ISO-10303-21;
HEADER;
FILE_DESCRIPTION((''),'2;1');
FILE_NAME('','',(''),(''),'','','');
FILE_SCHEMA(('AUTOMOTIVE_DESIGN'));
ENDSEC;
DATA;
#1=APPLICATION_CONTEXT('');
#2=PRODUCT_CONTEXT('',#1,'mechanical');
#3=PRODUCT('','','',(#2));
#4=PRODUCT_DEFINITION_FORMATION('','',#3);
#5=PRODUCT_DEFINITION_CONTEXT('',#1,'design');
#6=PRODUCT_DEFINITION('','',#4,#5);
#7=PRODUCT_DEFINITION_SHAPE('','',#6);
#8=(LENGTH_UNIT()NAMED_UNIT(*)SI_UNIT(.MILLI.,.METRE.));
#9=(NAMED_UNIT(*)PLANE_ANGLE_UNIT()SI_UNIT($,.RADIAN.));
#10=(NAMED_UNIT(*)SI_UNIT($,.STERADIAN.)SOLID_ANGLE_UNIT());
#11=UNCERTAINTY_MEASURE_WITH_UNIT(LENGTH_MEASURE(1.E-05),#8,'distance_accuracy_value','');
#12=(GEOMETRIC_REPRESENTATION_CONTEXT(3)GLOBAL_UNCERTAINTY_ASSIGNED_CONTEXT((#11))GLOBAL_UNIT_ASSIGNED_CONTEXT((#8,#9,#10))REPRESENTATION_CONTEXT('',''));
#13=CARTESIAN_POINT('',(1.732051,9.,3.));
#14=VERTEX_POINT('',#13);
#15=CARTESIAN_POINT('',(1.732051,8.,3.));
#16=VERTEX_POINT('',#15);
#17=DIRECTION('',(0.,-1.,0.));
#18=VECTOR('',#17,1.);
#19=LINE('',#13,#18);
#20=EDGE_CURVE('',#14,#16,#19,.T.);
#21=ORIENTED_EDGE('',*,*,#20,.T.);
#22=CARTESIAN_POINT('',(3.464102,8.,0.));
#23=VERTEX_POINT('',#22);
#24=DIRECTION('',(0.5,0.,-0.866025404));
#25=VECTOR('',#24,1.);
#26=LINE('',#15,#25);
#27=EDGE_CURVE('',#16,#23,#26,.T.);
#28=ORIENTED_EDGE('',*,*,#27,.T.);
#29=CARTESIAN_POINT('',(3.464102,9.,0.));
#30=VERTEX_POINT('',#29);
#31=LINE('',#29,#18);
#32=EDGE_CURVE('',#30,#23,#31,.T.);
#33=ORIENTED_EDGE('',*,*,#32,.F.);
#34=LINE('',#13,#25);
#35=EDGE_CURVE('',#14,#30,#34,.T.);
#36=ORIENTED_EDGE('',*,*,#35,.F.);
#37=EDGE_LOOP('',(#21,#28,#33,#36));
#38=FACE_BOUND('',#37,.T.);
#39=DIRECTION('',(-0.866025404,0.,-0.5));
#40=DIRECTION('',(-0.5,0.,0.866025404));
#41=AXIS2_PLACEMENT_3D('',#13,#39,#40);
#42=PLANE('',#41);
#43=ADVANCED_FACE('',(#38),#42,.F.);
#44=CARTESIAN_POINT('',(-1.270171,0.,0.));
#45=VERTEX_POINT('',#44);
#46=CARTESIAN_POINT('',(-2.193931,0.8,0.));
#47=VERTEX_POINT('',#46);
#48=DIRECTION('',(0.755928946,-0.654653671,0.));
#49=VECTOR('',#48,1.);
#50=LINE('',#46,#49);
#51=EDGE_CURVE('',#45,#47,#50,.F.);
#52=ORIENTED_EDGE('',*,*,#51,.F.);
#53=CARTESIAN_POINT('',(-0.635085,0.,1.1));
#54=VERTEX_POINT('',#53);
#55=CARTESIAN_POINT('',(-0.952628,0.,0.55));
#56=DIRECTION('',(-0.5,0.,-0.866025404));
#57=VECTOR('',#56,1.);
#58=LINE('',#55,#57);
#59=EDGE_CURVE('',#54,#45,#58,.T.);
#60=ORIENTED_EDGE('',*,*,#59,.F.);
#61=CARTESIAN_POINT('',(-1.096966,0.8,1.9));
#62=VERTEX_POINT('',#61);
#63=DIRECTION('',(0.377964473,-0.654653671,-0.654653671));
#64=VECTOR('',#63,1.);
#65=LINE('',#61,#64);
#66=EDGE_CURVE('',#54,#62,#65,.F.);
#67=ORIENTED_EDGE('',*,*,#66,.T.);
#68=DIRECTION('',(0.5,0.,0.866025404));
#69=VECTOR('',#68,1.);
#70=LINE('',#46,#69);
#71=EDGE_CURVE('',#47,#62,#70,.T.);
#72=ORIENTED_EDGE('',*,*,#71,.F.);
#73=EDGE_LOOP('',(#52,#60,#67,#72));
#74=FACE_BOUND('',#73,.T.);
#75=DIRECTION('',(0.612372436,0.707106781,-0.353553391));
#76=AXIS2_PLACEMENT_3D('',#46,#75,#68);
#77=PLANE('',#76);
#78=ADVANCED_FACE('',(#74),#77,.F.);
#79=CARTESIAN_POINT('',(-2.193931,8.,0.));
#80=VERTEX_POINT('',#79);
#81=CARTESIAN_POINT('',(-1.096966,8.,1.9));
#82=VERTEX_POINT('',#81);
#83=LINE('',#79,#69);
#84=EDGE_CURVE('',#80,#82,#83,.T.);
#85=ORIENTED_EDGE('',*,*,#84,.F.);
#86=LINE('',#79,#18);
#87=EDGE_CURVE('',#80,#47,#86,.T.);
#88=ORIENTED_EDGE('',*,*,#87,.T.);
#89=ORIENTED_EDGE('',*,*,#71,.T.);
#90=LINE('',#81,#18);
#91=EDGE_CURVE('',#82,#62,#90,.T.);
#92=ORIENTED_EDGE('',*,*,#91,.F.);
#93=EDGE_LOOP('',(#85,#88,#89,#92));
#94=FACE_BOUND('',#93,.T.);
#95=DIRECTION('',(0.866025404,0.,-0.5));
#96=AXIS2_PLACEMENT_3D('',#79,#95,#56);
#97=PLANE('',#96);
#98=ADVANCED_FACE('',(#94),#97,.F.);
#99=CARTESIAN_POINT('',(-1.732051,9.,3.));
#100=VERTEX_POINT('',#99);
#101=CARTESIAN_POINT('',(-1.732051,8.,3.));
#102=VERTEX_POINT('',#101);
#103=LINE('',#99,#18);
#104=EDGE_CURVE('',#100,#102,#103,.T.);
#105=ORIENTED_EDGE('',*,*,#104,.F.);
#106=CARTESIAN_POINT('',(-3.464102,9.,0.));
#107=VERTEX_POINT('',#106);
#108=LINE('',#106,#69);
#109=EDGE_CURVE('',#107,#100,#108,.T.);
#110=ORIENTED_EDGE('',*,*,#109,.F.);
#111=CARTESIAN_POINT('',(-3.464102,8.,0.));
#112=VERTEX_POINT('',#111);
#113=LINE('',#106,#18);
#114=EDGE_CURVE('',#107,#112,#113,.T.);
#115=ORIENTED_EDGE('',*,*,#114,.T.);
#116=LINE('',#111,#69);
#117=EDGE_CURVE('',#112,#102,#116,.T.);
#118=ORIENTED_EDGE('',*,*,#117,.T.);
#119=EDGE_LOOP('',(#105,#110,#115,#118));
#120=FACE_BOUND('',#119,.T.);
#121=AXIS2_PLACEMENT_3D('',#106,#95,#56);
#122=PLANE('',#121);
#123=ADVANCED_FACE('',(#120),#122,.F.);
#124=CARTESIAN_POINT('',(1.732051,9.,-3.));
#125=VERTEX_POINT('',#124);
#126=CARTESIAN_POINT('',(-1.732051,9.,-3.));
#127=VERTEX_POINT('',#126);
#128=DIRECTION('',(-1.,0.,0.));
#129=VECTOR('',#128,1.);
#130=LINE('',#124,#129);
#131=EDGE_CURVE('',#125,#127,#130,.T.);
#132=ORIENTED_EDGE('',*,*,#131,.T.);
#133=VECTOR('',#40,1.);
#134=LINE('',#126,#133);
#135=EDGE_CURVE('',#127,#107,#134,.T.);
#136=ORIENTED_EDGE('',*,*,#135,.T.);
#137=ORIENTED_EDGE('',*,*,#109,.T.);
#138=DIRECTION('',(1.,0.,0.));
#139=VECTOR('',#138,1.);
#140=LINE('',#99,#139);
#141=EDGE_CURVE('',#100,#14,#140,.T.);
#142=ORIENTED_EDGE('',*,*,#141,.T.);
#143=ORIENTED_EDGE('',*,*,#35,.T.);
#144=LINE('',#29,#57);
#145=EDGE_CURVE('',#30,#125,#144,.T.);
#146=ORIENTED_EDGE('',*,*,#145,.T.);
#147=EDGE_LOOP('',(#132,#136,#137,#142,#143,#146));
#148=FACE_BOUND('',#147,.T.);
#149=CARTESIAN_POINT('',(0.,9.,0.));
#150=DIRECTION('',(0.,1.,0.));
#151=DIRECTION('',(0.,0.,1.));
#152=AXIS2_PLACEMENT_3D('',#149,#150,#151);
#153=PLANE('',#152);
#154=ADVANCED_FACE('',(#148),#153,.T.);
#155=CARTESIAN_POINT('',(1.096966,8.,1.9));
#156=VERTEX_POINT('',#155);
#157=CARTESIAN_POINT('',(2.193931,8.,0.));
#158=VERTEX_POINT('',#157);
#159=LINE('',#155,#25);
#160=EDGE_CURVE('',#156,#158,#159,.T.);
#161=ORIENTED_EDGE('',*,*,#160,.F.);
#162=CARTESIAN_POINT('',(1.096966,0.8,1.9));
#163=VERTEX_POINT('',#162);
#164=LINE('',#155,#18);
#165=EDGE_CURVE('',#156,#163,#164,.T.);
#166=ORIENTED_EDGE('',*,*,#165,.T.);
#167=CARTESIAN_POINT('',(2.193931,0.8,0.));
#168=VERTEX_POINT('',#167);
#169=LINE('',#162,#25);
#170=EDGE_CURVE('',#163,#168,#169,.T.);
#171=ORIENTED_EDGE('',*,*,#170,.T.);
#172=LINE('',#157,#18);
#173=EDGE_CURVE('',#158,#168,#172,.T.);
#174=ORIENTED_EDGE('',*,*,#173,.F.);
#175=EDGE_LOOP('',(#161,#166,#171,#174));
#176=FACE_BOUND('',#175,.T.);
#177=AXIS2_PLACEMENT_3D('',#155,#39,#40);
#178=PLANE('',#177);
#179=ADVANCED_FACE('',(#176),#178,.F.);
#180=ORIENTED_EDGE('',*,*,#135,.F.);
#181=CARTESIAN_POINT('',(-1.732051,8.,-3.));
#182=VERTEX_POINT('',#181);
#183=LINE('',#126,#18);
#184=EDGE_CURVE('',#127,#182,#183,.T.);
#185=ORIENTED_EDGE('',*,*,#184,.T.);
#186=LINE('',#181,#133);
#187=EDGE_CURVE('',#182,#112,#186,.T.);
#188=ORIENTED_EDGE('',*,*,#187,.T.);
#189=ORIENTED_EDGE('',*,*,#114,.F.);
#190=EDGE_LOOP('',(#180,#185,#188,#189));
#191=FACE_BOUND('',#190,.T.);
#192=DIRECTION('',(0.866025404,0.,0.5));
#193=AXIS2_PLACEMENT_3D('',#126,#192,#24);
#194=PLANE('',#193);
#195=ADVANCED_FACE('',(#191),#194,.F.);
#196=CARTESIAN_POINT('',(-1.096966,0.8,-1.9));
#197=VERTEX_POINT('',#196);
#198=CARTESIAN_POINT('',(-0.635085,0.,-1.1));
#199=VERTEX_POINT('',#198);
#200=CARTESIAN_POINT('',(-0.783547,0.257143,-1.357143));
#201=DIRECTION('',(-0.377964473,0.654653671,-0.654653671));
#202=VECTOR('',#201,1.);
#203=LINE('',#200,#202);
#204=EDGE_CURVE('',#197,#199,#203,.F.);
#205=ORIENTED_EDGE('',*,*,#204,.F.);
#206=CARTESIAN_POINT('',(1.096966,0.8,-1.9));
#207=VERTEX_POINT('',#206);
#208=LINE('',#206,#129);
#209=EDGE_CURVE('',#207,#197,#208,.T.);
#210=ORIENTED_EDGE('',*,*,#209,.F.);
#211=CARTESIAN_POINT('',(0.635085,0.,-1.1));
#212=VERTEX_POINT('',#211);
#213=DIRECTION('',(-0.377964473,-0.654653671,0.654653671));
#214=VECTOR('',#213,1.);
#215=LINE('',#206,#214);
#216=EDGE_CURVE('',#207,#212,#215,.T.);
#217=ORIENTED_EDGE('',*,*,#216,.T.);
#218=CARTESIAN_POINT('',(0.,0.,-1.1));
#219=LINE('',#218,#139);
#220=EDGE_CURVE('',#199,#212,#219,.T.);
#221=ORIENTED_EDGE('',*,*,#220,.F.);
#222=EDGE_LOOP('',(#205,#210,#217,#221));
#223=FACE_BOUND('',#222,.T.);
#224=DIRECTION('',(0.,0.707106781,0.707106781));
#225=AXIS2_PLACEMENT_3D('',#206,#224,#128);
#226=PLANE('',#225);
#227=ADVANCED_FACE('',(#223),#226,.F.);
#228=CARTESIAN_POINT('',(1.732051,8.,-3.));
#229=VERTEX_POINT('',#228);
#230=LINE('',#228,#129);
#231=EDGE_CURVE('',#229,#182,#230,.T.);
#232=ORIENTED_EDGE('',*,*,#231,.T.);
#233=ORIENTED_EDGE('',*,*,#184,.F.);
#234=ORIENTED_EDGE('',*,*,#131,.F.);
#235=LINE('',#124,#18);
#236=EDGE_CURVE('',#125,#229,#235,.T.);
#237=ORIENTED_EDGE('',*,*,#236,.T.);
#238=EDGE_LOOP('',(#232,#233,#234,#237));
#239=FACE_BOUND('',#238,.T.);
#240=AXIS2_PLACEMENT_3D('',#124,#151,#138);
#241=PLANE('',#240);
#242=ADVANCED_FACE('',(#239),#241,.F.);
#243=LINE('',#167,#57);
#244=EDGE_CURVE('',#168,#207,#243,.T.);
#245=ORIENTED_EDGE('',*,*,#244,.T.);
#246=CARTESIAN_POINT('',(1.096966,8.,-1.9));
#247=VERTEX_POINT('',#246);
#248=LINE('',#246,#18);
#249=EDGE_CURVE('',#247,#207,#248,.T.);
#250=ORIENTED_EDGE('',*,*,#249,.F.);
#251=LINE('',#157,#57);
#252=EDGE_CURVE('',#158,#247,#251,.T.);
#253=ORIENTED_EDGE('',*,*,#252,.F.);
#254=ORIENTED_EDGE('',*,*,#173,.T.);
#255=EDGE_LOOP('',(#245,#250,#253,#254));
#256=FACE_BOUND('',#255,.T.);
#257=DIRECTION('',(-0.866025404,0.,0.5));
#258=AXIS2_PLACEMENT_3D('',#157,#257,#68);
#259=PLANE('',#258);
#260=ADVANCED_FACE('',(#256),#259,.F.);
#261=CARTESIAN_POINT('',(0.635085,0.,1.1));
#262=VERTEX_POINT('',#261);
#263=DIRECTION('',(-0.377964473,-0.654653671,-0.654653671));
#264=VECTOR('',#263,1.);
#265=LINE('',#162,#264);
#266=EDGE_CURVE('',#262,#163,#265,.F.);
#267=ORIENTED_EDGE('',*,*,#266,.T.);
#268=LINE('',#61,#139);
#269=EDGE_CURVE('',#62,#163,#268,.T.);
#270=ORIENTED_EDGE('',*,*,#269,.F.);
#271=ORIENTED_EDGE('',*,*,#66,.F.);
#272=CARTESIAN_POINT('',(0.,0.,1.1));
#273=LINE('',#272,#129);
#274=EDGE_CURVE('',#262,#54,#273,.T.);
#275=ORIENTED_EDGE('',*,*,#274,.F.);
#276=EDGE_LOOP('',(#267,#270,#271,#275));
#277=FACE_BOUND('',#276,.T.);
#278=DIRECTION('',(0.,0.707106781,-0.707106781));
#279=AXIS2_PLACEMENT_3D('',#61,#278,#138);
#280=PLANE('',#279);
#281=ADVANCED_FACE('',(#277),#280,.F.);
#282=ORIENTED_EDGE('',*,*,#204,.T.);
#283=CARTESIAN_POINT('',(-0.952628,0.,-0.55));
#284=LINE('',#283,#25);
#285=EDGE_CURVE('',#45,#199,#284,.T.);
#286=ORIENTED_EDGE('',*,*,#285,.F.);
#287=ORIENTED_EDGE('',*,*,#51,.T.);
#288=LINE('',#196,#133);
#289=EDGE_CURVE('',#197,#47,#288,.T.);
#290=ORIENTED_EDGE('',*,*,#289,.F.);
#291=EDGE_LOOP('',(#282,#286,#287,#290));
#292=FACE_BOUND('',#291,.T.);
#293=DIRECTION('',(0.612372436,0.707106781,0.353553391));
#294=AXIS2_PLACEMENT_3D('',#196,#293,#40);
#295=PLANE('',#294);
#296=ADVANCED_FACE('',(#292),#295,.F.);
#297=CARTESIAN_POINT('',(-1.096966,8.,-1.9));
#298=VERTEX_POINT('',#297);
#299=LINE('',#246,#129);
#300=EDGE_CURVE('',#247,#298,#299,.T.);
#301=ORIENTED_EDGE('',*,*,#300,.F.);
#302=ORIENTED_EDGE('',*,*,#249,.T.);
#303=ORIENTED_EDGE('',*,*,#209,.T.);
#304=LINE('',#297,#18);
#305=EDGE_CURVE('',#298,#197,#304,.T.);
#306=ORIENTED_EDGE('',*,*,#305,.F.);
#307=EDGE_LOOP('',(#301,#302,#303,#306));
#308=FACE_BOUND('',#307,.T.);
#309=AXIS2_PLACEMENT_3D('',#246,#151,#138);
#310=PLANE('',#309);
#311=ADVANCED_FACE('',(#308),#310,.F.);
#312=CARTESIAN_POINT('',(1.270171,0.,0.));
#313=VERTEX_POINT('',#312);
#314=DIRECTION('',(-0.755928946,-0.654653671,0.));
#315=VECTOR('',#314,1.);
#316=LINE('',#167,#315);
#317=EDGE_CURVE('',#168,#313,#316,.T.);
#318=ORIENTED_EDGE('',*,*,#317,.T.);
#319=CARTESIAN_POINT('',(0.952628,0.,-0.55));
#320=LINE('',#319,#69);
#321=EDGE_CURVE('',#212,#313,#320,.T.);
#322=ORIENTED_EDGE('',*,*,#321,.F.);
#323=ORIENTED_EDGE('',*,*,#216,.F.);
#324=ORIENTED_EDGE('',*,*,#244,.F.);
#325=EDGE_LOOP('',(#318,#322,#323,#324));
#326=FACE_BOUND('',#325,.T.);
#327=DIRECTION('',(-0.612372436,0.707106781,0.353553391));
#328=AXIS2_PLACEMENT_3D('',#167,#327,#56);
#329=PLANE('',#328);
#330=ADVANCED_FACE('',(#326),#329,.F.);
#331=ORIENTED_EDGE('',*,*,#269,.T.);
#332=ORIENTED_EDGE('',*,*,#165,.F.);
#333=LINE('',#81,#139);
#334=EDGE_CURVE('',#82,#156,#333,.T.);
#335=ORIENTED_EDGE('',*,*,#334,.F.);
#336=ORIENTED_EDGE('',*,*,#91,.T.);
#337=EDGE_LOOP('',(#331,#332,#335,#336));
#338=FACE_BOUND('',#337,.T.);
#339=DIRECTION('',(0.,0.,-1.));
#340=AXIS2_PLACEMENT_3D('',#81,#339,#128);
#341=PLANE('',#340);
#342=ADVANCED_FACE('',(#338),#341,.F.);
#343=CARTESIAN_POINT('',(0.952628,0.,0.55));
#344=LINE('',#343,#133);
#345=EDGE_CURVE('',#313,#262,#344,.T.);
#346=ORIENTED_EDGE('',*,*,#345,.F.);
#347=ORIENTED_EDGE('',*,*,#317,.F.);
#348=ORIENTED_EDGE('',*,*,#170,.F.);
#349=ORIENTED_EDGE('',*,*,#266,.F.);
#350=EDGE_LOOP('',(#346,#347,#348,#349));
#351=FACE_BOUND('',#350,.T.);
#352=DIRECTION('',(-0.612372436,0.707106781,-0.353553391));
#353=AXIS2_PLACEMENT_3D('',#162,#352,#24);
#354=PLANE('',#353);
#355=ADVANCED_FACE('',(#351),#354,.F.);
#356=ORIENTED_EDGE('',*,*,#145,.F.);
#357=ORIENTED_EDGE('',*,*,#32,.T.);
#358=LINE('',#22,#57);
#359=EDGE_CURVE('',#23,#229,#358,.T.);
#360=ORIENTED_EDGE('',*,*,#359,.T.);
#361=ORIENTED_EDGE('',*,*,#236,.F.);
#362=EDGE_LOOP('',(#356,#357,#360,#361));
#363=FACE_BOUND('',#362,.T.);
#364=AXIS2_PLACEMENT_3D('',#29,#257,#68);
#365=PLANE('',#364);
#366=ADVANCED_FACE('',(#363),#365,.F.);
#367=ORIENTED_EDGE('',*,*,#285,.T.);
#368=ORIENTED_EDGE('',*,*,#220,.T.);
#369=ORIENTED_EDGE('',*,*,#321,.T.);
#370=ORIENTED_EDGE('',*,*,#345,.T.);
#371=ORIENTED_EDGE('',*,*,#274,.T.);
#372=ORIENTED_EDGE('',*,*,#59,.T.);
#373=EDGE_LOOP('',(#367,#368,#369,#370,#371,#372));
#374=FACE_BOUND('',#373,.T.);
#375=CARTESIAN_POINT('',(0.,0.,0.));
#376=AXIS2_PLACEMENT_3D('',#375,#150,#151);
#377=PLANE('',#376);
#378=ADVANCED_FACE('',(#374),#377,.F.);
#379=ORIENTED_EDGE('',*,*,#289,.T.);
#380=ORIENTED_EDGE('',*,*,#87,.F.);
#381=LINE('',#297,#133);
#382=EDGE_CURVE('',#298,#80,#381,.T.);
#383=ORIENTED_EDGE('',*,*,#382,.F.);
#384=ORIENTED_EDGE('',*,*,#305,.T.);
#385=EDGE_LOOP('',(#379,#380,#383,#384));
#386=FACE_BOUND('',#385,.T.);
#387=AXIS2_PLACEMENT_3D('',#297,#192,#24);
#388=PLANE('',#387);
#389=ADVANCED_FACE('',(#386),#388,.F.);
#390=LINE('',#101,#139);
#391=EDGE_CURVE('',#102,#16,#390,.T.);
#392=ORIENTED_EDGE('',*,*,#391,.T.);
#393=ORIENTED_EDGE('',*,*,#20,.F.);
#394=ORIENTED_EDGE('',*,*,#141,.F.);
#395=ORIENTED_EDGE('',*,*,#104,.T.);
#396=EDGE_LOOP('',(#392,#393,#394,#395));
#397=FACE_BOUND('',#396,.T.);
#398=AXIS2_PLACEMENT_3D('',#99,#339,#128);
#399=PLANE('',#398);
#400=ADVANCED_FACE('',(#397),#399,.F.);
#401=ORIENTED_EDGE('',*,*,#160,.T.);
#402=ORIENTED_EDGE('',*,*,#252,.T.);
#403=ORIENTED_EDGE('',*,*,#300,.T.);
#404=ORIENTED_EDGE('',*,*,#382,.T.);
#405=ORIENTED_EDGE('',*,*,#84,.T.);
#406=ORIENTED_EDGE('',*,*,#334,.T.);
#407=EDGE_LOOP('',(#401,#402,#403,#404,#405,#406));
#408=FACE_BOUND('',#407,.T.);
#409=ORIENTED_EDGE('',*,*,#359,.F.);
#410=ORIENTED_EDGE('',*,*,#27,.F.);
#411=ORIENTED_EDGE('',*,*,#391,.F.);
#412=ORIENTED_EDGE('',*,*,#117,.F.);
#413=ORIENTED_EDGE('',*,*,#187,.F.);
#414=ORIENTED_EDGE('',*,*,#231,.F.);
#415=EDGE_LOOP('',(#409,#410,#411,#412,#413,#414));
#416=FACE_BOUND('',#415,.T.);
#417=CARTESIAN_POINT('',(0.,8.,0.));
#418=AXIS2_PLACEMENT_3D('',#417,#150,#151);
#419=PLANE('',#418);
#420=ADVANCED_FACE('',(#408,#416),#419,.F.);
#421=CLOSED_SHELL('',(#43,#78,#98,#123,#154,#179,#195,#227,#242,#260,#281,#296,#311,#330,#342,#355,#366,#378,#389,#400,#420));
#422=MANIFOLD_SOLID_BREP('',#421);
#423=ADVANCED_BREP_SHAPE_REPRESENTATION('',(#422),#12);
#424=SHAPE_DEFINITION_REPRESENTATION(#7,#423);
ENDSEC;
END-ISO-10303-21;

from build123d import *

# Parameters (mm, degrees)
BOSS_EXTRUDE1_DEPTH = 8
BOSS_EXTRUDE2_DEPTH = 1
CHAMFER1_SIZE       = 0.8


with BuildPart() as part:
    # Sketch1 → Boss-Extrude1 (new body)
    with BuildSketch(Plane(origin=(0, 0, 0), x_dir=(1, 0, 0), z_dir=(0, 1, 0))):
        Polygon((2.193931023, 0), (1.096965511, 1.9), (-1.096965511, 1.9), (-2.193931023, 0), (-1.096965511, -1.9), (1.096965511, -1.9), align=None)
    extrude(amount=BOSS_EXTRUDE1_DEPTH)

    # Sketch2 → Boss-Extrude2 (add)
    with BuildSketch(Plane(origin=(0, 8, 0), x_dir=(1, 0, 0), z_dir=(0, 1, 0))):
        Polygon((3.464101615, 0), (1.732050808, 3), (-1.732050808, 3), (-3.464101615, 0), (-1.732050808, -3), (1.732050808, -3), align=None)
    extrude(amount=BOSS_EXTRUDE2_DEPTH)

    # Chamfer1
    chamfer1_edges = [part.edges().sort_by_distance(p)[0] for p in [
        (1.645448267, 0, -0.95),
        (1.645448267, 0, 0.95),
        (0, 0, 1.9),
        (-1.645448267, 0, 0.95),
        (-1.645448267, 0, -0.95),
        (0, 0, -1.9),
    ]]
    chamfer(chamfer1_edges, length=CHAMFER1_SIZE)


solid = part.part
